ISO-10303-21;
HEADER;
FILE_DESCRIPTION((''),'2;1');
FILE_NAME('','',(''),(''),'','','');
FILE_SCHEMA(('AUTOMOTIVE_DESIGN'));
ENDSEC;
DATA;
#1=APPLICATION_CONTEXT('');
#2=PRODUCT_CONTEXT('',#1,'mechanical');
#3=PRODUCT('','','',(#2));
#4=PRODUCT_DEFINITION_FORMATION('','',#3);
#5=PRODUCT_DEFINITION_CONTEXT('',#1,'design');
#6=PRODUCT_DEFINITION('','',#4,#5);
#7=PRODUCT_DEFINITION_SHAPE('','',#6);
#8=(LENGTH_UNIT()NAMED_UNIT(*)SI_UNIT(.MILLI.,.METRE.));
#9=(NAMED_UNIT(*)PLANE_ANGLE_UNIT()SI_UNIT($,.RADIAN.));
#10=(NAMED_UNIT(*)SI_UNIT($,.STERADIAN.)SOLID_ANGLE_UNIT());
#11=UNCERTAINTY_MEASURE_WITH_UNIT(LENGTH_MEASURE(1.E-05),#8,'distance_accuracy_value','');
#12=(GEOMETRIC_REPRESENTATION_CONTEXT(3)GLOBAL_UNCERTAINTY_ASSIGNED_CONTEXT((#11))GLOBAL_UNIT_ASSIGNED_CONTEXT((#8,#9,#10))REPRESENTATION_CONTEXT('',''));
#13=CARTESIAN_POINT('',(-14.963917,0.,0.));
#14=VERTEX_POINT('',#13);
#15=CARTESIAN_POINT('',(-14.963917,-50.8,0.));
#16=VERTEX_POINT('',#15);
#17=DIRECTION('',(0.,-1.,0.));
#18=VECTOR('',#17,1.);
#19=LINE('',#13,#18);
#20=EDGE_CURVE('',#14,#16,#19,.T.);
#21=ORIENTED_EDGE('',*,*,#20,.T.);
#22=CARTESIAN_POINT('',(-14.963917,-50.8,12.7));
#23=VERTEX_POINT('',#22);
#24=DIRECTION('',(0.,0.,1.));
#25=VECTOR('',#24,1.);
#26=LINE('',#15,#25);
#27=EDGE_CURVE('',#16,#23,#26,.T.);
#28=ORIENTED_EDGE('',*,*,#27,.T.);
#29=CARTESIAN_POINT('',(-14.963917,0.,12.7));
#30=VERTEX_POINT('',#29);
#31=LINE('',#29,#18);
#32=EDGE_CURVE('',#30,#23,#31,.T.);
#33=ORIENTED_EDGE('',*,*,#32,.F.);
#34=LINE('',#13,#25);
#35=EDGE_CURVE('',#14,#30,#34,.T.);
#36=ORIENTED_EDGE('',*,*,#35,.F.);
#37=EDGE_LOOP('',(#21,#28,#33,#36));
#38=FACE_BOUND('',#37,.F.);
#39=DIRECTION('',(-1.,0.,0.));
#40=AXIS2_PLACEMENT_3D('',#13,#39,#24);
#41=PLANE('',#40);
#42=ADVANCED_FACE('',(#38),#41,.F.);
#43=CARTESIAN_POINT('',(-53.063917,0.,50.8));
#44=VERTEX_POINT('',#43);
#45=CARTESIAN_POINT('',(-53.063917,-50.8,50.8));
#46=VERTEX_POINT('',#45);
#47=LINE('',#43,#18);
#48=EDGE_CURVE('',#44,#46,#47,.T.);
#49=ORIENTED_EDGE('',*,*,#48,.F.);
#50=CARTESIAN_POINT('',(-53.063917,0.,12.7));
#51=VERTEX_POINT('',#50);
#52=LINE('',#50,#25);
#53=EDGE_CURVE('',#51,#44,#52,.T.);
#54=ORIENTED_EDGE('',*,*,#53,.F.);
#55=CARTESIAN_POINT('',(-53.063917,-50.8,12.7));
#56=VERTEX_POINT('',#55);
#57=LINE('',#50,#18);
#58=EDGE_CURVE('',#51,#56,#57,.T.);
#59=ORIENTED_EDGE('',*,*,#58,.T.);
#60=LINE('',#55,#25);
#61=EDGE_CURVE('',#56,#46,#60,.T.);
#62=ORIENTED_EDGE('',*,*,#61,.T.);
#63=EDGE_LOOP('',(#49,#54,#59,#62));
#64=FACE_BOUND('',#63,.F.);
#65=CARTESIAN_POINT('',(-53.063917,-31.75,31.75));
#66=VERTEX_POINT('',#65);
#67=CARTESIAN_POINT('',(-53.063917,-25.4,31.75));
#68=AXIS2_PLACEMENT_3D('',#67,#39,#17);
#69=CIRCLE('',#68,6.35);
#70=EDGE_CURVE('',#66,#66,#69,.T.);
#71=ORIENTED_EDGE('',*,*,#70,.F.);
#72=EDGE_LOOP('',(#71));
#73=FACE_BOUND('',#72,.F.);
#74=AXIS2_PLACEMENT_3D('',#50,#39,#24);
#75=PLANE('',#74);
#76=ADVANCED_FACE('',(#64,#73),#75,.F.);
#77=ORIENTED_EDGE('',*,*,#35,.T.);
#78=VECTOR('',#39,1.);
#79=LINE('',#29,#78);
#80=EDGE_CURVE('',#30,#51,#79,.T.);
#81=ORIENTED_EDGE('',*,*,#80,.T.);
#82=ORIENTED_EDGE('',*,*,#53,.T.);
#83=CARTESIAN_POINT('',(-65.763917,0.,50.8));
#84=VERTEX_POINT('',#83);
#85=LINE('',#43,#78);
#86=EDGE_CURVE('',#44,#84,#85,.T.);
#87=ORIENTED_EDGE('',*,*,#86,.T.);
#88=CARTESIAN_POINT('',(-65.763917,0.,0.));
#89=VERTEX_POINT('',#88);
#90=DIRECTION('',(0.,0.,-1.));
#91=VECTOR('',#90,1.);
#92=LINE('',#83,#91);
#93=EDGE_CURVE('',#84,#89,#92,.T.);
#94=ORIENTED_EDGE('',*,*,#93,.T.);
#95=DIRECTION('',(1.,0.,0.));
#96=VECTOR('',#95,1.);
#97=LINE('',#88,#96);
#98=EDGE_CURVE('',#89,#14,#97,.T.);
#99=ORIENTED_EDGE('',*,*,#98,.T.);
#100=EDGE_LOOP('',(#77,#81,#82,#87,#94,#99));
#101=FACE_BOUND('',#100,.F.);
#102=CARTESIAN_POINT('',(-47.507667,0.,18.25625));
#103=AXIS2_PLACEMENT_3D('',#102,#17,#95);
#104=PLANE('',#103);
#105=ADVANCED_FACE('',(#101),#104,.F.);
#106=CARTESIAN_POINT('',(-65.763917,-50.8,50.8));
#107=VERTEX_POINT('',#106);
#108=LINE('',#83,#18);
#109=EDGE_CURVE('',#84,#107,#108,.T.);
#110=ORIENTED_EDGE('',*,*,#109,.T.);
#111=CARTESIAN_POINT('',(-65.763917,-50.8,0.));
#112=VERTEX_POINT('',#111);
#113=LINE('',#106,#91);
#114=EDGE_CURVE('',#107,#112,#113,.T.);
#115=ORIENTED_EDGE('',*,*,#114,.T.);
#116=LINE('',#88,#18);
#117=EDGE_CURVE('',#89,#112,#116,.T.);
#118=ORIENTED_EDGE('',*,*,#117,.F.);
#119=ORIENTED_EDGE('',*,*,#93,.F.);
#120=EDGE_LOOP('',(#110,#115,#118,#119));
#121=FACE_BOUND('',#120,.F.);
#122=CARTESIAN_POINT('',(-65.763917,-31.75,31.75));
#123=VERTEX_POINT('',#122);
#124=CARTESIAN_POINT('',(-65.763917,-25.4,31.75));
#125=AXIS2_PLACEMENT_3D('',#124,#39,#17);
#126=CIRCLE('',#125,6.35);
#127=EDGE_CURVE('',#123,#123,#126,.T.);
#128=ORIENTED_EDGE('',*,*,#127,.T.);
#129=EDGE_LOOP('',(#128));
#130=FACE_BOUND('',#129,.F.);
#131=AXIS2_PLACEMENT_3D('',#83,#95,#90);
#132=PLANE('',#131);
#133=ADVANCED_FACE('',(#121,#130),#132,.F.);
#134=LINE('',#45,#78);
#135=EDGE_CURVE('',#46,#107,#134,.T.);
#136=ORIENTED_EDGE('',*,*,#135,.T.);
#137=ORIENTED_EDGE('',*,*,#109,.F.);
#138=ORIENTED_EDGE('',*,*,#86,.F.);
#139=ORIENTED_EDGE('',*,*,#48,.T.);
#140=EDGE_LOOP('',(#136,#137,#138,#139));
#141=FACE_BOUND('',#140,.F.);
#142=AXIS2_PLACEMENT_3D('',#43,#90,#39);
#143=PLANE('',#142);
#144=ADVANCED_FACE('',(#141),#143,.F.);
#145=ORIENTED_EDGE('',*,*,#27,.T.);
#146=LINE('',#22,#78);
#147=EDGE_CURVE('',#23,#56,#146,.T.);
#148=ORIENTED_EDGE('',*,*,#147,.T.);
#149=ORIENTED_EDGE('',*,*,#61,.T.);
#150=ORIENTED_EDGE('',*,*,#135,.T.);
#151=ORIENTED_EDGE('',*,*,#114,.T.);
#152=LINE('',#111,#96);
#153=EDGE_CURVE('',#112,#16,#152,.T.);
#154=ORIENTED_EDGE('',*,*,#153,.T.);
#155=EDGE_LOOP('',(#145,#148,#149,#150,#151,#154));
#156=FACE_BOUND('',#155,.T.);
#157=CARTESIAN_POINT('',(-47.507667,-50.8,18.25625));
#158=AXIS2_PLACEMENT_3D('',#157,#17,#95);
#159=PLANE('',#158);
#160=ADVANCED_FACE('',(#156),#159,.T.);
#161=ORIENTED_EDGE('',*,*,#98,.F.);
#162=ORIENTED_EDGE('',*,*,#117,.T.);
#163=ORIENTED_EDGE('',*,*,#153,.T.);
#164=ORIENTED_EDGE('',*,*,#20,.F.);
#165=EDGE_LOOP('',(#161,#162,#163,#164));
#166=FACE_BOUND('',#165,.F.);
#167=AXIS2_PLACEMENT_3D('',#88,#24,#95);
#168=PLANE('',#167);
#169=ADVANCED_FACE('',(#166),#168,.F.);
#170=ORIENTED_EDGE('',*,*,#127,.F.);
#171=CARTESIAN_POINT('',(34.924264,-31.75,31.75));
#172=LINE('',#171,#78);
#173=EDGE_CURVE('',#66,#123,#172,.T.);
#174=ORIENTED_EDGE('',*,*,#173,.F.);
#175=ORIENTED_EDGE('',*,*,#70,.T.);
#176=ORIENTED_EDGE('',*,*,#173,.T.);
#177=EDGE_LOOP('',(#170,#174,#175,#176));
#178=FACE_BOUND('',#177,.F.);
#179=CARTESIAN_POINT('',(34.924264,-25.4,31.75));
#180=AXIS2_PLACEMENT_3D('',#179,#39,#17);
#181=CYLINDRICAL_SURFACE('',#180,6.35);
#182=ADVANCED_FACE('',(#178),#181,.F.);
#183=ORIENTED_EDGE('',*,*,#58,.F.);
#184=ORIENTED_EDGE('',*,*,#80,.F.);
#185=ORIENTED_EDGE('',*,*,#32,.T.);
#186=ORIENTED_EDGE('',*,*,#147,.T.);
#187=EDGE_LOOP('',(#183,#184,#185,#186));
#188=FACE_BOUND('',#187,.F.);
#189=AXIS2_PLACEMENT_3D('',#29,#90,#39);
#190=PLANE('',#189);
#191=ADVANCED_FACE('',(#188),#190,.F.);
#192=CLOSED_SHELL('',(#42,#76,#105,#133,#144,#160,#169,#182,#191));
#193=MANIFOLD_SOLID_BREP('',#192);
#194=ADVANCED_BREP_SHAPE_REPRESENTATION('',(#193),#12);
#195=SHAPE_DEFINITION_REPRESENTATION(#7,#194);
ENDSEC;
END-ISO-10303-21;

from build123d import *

# Parameters (mm, degrees)
F1_DEPTH = 50.8
F3_D     = 12.7


with BuildPart() as f1:
    # F0 (on Front) → F1 (new body)
    with BuildSketch(Plane.XZ):
        Polygon((-53.063917, 50.8), (-65.763917, 50.8), (-65.763917, 0), (-14.963917, 0), (-14.963917, 12.7), (-53.063917, 12.7), align=None)
    extrude(amount=F1_DEPTH)

    # F3 (through all)
    with Locations(Plane.YZ.offset(-53.063917)):
        with Locations((-25.4, 31.75)):
            Hole(F3_D / 2)


solid = f1.part
